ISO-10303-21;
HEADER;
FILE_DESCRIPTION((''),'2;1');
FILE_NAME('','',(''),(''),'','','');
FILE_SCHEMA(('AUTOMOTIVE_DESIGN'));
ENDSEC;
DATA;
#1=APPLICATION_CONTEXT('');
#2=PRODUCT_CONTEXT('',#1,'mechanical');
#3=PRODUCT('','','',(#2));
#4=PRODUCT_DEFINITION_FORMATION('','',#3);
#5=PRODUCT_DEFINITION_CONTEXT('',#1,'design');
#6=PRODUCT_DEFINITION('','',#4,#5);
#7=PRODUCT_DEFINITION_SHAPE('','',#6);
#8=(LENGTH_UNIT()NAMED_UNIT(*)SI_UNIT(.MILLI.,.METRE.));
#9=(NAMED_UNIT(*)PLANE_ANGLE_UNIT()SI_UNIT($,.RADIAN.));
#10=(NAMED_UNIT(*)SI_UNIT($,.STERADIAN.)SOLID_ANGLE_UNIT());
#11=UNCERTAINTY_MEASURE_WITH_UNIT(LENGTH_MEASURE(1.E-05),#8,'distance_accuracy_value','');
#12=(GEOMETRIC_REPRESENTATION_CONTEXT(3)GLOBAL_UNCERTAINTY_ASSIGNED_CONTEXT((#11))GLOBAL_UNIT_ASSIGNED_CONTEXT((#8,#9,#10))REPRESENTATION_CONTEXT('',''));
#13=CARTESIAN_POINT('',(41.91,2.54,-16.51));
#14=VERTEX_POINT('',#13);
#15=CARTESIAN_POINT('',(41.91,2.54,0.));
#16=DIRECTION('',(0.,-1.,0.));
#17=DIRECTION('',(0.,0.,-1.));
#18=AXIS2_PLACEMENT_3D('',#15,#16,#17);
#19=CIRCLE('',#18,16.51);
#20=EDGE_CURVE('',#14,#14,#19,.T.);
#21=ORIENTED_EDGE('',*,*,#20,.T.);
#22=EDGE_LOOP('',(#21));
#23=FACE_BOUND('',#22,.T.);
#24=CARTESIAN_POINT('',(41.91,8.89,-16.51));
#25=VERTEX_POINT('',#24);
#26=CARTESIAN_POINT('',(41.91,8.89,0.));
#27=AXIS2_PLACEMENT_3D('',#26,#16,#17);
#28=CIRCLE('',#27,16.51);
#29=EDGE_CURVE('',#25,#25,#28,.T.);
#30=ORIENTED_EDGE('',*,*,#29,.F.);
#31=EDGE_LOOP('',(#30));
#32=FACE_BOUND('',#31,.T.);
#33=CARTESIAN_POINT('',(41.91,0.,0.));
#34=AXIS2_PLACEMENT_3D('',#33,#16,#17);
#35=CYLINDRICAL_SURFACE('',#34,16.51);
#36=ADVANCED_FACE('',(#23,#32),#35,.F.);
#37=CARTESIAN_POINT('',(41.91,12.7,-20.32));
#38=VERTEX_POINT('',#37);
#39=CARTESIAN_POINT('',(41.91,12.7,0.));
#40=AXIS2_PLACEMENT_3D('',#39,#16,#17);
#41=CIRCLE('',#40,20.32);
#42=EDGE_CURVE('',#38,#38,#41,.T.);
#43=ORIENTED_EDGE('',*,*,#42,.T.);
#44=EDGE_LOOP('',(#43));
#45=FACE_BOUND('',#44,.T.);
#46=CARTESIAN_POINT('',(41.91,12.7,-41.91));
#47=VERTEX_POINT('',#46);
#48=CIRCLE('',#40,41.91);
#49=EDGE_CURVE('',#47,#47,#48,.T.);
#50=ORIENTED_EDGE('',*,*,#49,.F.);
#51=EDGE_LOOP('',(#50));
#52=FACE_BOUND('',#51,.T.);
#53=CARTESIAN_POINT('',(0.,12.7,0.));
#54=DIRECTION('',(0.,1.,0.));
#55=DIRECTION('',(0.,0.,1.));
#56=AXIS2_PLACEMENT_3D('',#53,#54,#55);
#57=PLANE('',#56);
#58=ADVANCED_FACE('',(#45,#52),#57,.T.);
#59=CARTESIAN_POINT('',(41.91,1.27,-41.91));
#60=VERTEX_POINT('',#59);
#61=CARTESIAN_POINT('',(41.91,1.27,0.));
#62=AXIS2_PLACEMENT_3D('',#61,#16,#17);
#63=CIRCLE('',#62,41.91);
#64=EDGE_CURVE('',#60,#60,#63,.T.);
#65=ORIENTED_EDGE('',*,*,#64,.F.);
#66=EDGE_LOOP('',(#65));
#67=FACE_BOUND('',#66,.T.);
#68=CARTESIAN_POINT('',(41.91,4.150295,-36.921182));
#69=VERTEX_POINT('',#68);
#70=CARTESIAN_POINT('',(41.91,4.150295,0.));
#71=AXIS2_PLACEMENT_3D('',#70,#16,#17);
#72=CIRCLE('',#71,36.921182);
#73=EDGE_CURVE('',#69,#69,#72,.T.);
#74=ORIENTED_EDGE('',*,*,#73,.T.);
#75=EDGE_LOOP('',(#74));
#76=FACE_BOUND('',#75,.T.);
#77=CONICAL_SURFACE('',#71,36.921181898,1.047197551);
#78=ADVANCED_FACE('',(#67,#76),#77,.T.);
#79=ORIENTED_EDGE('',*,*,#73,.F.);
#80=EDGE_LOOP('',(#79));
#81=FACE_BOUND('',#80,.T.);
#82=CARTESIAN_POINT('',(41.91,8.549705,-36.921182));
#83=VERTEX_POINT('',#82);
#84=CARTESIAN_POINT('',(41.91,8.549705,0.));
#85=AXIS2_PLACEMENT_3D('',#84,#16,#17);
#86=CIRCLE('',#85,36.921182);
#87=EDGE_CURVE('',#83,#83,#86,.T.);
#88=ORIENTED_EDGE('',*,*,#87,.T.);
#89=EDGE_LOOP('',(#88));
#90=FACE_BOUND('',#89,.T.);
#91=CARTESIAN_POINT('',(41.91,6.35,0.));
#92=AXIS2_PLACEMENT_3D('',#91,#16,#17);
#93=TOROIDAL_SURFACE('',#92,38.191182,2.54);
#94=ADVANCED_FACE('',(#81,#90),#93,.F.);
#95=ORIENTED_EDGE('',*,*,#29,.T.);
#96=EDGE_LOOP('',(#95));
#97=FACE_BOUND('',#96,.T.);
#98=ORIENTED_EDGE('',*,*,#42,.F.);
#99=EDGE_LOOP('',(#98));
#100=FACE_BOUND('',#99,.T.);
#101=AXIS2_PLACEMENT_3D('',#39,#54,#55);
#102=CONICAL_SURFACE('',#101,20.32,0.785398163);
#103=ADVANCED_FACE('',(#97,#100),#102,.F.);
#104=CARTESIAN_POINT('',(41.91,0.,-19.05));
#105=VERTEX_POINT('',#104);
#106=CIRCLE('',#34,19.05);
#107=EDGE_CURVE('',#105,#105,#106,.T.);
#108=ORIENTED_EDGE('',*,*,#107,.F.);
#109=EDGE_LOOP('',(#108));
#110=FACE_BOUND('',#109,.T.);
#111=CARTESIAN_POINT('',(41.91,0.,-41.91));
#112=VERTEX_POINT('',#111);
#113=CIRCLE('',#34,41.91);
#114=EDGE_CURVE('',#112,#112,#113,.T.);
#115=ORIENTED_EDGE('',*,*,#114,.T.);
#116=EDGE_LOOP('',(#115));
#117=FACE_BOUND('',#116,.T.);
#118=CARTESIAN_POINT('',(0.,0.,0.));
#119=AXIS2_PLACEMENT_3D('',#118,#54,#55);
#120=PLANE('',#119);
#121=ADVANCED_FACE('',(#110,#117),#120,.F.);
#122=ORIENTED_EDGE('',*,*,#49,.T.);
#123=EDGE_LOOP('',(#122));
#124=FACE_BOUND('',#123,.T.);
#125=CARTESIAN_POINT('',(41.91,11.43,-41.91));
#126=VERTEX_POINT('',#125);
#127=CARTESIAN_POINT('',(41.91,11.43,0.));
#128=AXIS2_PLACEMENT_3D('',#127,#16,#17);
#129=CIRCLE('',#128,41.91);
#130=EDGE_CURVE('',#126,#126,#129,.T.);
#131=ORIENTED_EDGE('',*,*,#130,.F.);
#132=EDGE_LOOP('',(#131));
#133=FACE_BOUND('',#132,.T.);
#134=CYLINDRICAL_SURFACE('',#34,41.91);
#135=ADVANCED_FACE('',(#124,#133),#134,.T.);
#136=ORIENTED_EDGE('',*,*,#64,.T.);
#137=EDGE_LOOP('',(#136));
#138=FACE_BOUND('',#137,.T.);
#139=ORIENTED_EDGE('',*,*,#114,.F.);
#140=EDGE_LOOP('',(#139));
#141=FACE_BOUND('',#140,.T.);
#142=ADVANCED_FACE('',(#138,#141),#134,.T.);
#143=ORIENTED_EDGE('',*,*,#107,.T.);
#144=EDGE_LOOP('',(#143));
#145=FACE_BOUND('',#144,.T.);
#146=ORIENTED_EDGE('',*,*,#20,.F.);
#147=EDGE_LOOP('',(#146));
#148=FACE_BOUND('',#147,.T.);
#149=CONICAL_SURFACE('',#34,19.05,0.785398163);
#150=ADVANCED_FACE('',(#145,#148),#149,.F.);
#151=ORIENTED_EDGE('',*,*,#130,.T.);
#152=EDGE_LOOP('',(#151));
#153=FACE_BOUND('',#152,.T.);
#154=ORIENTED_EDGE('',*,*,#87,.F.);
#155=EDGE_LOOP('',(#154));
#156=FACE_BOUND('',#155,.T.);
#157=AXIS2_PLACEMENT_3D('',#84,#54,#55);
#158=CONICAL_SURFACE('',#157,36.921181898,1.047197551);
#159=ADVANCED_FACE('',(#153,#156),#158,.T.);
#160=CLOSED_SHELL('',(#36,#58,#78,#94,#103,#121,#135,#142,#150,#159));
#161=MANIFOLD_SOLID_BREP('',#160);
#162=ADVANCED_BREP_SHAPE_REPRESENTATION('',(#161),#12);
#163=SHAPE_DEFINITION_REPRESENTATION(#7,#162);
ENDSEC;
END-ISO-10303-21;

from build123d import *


with BuildPart() as part:
    # Sketch1 → Revolve3 (revolve)
    with BuildSketch(Plane.XY, mode=Mode.PRIVATE) as revolve3_sk:
        with BuildLine():
            Line((0, 0), (22.86, 0))
            Line((22.86, 0), (25.4, 2.54))
            Line((25.4, 2.54), (25.4, 8.89))
            Line((25.4, 8.89), (21.59, 12.7))
            Line((21.59, 12.7), (0, 12.7))
            Line((0, 12.7), (0, 11.43))
            Line((0, 11.43), (4.988818102, 8.549704526))
            ThreePointArc((4.988818102, 8.549704526), (6.258818102, 6.35), (4.988818102, 4.150295474))
            Line((4.988818102, 4.150295474), (0, 1.27))
            Line((0, 1.27), (0, 0))
        make_face()
    revolve(revolve3_sk.sketch.rotate(Axis((41.91, 0, 0), (0, 1, 0)), 270), axis=Axis((41.91, 0, 0), (0, 1, 0)))


solid = part.part
